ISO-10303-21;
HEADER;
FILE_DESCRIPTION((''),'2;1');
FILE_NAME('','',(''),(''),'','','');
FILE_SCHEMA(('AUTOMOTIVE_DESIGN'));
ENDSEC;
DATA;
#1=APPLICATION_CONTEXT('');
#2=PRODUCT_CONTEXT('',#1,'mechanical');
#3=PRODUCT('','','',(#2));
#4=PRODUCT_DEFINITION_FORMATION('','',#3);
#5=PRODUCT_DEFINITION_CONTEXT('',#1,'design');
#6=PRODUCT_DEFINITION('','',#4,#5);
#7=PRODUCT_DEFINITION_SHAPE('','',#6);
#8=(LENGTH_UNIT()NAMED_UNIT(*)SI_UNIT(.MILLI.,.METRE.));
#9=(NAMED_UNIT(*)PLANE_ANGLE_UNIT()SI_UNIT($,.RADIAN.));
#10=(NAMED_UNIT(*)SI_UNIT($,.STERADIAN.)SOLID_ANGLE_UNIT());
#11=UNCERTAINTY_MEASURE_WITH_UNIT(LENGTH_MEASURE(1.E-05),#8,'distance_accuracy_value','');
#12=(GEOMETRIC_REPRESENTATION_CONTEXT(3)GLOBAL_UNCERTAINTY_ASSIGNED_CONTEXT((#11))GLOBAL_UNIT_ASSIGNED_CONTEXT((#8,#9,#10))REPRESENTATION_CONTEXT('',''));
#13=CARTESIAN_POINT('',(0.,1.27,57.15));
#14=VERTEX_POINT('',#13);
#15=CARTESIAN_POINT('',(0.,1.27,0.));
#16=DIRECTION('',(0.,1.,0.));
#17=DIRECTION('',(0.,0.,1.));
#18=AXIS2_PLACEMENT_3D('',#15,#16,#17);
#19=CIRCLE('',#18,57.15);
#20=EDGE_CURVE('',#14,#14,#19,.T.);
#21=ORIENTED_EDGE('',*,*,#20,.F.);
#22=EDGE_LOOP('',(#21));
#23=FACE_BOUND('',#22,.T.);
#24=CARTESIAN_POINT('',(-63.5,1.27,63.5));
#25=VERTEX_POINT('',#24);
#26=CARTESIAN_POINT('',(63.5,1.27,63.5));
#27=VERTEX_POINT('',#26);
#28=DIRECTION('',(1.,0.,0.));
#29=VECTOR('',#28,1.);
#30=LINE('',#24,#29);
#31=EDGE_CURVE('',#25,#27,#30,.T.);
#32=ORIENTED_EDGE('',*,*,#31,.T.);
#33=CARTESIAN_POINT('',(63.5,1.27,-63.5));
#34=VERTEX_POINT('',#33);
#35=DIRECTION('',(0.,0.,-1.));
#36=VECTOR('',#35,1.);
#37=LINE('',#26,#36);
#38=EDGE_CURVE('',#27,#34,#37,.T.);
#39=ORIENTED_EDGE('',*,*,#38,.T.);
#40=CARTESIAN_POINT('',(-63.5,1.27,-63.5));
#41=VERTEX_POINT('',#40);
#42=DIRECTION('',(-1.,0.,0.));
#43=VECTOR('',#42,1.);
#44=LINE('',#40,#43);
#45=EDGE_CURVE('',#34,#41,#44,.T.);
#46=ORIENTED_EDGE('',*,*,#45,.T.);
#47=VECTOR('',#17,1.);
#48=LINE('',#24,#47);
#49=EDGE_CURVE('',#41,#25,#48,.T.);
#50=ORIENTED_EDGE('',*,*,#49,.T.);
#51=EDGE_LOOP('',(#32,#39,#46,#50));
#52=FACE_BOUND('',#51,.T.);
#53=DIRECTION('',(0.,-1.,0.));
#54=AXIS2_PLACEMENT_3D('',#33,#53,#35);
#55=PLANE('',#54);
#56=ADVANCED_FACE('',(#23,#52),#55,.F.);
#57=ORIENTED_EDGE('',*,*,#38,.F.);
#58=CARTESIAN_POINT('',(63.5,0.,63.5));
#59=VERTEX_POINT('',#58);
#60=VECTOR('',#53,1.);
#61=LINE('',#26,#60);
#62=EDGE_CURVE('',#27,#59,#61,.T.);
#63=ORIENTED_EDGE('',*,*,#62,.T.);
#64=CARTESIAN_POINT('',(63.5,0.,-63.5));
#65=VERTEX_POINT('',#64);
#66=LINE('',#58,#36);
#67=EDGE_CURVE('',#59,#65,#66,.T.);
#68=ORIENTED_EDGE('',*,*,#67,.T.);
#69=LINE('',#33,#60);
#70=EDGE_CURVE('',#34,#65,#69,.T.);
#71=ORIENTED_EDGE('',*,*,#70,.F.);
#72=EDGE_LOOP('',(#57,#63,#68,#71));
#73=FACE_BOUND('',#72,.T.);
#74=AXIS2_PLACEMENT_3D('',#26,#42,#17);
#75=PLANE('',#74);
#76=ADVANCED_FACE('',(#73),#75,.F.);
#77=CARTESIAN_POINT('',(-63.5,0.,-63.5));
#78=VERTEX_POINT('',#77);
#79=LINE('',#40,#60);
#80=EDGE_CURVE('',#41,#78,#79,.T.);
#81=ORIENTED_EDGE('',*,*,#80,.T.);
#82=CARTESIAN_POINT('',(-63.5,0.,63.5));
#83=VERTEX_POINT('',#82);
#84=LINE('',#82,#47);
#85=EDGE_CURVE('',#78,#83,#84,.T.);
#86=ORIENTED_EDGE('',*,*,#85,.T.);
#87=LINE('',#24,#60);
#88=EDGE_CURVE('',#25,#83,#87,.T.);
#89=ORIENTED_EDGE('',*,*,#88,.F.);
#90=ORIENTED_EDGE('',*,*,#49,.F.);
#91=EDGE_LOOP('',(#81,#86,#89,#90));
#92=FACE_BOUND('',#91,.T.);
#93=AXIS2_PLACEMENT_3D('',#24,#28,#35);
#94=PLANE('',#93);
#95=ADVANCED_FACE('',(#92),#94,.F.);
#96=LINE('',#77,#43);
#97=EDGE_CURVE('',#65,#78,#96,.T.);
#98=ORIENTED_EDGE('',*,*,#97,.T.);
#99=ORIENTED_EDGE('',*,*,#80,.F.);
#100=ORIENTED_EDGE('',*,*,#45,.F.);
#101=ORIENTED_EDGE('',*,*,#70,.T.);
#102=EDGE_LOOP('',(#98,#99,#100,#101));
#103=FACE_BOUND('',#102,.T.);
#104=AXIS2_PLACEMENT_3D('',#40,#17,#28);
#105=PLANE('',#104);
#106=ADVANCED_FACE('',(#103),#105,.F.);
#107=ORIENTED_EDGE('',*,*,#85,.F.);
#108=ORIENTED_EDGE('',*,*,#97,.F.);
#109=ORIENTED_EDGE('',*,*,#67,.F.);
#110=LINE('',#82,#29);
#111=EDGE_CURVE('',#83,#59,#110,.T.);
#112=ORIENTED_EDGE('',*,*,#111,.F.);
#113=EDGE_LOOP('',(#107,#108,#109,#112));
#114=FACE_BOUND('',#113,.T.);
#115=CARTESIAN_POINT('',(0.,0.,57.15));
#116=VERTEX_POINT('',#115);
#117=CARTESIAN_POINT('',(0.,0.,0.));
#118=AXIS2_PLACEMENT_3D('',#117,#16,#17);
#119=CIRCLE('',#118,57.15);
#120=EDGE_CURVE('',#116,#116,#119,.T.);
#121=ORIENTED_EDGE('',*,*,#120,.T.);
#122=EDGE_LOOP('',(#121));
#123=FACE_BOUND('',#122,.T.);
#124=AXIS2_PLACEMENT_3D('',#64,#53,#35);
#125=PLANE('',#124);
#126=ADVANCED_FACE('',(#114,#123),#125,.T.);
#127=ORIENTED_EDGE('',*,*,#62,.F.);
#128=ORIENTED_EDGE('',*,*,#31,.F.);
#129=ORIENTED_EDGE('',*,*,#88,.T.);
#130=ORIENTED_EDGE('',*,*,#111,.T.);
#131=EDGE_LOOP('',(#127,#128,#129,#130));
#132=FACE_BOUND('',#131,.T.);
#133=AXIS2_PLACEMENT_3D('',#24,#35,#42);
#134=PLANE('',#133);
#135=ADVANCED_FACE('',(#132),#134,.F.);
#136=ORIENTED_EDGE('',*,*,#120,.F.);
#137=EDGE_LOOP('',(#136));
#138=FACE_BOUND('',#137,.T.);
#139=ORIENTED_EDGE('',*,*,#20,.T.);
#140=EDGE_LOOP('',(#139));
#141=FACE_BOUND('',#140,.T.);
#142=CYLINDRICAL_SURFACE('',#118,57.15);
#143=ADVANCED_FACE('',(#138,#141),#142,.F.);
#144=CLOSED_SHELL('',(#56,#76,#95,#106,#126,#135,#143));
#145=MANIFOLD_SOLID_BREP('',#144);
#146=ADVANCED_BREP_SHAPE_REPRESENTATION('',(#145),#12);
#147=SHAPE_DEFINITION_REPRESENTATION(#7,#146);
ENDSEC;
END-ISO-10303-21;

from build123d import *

# Parameters (mm, degrees)
SKETCH1_W           = 127
SKETCH1_H           = 127
BOSS_EXTRUDE1_DEPTH = 1.27
SKETCH2_R           = 57.15
CUT_EXTRUDE1_DEPTH  = 1.27


with BuildPart() as part:
    # Sketch1 → Boss-Extrude1 (new body)
    with BuildSketch(Plane(origin=(0, 0, 0), x_dir=(1, 0, 0), z_dir=(0, 1, 0))):
        Rectangle(SKETCH1_W, SKETCH1_H)
    extrude(amount=BOSS_EXTRUDE1_DEPTH)

    # Sketch2 → Cut-Extrude1 (cut)
    with BuildSketch(Plane(origin=(0, 1.27, 0), x_dir=(-1, 0, 0), z_dir=(0, 1, 0))):
        with Locations(Location((0, 0, 0), (0, 0, 90))):
            Circle(SKETCH2_R)
    extrude(amount=-CUT_EXTRUDE1_DEPTH, mode=Mode.SUBTRACT)


solid = part.part
